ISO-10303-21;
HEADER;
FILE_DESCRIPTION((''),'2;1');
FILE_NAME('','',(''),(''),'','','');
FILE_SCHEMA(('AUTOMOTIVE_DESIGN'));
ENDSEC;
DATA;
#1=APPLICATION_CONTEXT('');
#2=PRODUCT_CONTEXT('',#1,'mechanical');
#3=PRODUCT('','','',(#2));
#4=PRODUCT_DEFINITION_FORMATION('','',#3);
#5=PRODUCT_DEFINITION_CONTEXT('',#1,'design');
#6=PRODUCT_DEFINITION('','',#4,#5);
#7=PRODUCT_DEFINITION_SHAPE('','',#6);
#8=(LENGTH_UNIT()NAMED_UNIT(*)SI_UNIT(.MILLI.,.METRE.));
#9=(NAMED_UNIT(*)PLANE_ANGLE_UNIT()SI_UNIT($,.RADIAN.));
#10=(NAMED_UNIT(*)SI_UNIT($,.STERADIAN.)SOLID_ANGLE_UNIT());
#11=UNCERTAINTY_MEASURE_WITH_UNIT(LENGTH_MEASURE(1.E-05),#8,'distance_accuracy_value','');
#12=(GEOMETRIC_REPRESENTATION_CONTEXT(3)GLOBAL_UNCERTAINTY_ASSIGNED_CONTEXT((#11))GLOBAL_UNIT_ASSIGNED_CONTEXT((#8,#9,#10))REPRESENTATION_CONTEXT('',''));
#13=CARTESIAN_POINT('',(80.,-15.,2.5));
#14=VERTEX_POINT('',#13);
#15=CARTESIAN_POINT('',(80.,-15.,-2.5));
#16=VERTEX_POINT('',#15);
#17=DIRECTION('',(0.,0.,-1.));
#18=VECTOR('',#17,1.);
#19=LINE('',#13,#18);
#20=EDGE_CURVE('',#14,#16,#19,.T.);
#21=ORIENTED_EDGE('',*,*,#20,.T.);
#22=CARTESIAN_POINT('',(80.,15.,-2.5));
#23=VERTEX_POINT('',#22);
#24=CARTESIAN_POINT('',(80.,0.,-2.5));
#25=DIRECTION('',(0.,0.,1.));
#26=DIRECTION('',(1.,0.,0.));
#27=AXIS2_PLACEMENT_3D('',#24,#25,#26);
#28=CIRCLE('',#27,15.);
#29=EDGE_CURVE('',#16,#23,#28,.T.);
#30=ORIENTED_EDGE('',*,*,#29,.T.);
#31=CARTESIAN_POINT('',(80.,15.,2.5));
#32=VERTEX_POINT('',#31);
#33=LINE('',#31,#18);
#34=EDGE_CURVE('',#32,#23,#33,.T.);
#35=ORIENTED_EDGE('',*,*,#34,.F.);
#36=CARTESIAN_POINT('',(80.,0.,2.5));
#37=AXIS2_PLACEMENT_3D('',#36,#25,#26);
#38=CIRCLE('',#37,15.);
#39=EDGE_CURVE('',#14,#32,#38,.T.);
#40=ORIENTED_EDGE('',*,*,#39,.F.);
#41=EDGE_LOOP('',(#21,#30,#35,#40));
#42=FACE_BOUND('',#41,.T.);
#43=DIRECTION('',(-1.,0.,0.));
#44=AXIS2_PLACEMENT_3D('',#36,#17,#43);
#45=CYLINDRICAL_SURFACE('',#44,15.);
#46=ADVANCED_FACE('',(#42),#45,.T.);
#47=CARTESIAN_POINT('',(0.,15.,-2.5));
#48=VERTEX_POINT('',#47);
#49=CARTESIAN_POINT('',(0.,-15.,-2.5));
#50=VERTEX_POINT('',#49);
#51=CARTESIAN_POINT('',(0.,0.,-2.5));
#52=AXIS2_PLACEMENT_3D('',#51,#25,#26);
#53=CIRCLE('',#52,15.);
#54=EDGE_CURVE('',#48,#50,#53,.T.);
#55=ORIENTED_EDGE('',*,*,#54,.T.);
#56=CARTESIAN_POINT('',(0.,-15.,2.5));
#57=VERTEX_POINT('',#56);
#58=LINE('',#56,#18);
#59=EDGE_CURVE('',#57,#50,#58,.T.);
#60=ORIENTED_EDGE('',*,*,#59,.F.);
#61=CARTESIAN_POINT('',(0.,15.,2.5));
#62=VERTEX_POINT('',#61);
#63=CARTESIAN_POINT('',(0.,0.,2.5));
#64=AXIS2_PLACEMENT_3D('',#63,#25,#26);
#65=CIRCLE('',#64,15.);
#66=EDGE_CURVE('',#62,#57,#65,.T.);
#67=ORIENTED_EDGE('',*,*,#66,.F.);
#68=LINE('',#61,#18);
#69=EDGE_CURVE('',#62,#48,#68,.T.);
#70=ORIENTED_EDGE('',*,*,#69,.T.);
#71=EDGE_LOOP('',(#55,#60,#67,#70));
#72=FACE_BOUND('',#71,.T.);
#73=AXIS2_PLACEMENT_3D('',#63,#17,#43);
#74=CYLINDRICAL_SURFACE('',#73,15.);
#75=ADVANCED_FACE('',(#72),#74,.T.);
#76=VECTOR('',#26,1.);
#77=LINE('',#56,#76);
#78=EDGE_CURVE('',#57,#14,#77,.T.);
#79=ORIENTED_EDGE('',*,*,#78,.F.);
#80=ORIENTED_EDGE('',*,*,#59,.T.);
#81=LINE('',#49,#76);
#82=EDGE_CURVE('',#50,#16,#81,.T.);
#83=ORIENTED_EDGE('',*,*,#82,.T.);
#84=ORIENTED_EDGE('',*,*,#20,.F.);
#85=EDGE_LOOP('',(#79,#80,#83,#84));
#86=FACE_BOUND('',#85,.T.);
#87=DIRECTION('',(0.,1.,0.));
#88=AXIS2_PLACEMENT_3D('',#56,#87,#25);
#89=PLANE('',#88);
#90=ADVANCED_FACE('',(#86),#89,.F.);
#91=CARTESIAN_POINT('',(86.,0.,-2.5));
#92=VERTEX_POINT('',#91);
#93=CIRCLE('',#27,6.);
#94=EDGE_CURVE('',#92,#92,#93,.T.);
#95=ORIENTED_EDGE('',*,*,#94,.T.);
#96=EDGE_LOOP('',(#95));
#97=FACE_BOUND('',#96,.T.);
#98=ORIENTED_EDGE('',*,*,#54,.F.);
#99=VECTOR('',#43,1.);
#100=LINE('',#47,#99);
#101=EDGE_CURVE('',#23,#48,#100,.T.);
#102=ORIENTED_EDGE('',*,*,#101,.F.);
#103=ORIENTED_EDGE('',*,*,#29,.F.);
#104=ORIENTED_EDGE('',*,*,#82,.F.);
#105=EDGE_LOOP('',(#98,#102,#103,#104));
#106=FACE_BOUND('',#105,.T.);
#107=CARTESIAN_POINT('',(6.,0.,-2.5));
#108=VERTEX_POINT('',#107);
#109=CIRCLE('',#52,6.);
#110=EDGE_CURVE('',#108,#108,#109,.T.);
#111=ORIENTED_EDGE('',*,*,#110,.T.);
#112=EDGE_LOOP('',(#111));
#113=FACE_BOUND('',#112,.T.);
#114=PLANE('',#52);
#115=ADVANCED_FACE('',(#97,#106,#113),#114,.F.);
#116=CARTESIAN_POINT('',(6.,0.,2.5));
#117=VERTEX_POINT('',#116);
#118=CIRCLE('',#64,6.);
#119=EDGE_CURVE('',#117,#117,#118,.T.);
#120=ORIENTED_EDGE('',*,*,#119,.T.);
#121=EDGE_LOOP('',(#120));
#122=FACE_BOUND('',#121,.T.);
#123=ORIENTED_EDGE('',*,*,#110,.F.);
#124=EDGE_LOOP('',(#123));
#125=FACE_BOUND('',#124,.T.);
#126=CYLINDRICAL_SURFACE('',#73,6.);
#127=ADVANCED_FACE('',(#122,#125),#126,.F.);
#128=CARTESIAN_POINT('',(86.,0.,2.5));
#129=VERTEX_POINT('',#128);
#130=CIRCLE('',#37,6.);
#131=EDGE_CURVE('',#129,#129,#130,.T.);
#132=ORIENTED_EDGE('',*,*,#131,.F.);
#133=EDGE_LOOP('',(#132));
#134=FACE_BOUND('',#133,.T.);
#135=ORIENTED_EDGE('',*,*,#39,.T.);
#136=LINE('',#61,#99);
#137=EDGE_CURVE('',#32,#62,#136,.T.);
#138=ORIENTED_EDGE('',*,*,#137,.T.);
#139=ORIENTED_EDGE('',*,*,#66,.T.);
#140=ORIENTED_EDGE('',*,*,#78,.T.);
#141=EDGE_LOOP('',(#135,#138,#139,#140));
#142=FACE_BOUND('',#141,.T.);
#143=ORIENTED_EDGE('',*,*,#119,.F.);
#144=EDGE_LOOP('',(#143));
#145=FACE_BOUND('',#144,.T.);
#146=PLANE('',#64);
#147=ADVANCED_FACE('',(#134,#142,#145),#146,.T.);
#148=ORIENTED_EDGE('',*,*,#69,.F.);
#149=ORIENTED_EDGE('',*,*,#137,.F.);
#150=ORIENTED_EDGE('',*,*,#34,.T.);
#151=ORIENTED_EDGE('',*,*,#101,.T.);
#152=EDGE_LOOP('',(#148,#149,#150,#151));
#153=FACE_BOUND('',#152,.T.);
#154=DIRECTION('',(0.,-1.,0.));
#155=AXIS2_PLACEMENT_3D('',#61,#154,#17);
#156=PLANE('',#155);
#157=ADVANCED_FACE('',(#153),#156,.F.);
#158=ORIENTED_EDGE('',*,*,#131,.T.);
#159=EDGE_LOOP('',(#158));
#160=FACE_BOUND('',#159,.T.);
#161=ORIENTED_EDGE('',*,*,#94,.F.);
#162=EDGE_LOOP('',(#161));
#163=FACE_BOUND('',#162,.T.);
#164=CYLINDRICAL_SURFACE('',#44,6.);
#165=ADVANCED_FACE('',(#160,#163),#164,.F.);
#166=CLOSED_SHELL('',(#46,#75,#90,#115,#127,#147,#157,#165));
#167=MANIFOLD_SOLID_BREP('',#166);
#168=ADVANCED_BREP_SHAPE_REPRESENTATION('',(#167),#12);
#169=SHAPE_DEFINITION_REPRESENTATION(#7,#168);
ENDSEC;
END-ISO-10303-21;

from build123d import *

# Parameters (mm, degrees)
SKETCH_1_R      = 6
EXTRUDE_1_DEPTH = 2.5


with BuildPart() as part:
    # 草图1 → 凸台-拉伸1 (new, symmetric)
    with BuildSketch(Plane.XY):
        with BuildLine():
            Line((0, 15), (80, 15))
            ThreePointArc((80, 15), (95, 0), (80, -15))
            Line((80, -15), (0, -15))
            ThreePointArc((0, -15), (-15, 0), (0, 15))
        make_face()
        Circle(SKETCH_1_R, mode=Mode.SUBTRACT)
        with Locations((80, 0)):
            Circle(SKETCH_1_R, mode=Mode.SUBTRACT)
    extrude(amount=EXTRUDE_1_DEPTH, both=True)


solid = part.part
